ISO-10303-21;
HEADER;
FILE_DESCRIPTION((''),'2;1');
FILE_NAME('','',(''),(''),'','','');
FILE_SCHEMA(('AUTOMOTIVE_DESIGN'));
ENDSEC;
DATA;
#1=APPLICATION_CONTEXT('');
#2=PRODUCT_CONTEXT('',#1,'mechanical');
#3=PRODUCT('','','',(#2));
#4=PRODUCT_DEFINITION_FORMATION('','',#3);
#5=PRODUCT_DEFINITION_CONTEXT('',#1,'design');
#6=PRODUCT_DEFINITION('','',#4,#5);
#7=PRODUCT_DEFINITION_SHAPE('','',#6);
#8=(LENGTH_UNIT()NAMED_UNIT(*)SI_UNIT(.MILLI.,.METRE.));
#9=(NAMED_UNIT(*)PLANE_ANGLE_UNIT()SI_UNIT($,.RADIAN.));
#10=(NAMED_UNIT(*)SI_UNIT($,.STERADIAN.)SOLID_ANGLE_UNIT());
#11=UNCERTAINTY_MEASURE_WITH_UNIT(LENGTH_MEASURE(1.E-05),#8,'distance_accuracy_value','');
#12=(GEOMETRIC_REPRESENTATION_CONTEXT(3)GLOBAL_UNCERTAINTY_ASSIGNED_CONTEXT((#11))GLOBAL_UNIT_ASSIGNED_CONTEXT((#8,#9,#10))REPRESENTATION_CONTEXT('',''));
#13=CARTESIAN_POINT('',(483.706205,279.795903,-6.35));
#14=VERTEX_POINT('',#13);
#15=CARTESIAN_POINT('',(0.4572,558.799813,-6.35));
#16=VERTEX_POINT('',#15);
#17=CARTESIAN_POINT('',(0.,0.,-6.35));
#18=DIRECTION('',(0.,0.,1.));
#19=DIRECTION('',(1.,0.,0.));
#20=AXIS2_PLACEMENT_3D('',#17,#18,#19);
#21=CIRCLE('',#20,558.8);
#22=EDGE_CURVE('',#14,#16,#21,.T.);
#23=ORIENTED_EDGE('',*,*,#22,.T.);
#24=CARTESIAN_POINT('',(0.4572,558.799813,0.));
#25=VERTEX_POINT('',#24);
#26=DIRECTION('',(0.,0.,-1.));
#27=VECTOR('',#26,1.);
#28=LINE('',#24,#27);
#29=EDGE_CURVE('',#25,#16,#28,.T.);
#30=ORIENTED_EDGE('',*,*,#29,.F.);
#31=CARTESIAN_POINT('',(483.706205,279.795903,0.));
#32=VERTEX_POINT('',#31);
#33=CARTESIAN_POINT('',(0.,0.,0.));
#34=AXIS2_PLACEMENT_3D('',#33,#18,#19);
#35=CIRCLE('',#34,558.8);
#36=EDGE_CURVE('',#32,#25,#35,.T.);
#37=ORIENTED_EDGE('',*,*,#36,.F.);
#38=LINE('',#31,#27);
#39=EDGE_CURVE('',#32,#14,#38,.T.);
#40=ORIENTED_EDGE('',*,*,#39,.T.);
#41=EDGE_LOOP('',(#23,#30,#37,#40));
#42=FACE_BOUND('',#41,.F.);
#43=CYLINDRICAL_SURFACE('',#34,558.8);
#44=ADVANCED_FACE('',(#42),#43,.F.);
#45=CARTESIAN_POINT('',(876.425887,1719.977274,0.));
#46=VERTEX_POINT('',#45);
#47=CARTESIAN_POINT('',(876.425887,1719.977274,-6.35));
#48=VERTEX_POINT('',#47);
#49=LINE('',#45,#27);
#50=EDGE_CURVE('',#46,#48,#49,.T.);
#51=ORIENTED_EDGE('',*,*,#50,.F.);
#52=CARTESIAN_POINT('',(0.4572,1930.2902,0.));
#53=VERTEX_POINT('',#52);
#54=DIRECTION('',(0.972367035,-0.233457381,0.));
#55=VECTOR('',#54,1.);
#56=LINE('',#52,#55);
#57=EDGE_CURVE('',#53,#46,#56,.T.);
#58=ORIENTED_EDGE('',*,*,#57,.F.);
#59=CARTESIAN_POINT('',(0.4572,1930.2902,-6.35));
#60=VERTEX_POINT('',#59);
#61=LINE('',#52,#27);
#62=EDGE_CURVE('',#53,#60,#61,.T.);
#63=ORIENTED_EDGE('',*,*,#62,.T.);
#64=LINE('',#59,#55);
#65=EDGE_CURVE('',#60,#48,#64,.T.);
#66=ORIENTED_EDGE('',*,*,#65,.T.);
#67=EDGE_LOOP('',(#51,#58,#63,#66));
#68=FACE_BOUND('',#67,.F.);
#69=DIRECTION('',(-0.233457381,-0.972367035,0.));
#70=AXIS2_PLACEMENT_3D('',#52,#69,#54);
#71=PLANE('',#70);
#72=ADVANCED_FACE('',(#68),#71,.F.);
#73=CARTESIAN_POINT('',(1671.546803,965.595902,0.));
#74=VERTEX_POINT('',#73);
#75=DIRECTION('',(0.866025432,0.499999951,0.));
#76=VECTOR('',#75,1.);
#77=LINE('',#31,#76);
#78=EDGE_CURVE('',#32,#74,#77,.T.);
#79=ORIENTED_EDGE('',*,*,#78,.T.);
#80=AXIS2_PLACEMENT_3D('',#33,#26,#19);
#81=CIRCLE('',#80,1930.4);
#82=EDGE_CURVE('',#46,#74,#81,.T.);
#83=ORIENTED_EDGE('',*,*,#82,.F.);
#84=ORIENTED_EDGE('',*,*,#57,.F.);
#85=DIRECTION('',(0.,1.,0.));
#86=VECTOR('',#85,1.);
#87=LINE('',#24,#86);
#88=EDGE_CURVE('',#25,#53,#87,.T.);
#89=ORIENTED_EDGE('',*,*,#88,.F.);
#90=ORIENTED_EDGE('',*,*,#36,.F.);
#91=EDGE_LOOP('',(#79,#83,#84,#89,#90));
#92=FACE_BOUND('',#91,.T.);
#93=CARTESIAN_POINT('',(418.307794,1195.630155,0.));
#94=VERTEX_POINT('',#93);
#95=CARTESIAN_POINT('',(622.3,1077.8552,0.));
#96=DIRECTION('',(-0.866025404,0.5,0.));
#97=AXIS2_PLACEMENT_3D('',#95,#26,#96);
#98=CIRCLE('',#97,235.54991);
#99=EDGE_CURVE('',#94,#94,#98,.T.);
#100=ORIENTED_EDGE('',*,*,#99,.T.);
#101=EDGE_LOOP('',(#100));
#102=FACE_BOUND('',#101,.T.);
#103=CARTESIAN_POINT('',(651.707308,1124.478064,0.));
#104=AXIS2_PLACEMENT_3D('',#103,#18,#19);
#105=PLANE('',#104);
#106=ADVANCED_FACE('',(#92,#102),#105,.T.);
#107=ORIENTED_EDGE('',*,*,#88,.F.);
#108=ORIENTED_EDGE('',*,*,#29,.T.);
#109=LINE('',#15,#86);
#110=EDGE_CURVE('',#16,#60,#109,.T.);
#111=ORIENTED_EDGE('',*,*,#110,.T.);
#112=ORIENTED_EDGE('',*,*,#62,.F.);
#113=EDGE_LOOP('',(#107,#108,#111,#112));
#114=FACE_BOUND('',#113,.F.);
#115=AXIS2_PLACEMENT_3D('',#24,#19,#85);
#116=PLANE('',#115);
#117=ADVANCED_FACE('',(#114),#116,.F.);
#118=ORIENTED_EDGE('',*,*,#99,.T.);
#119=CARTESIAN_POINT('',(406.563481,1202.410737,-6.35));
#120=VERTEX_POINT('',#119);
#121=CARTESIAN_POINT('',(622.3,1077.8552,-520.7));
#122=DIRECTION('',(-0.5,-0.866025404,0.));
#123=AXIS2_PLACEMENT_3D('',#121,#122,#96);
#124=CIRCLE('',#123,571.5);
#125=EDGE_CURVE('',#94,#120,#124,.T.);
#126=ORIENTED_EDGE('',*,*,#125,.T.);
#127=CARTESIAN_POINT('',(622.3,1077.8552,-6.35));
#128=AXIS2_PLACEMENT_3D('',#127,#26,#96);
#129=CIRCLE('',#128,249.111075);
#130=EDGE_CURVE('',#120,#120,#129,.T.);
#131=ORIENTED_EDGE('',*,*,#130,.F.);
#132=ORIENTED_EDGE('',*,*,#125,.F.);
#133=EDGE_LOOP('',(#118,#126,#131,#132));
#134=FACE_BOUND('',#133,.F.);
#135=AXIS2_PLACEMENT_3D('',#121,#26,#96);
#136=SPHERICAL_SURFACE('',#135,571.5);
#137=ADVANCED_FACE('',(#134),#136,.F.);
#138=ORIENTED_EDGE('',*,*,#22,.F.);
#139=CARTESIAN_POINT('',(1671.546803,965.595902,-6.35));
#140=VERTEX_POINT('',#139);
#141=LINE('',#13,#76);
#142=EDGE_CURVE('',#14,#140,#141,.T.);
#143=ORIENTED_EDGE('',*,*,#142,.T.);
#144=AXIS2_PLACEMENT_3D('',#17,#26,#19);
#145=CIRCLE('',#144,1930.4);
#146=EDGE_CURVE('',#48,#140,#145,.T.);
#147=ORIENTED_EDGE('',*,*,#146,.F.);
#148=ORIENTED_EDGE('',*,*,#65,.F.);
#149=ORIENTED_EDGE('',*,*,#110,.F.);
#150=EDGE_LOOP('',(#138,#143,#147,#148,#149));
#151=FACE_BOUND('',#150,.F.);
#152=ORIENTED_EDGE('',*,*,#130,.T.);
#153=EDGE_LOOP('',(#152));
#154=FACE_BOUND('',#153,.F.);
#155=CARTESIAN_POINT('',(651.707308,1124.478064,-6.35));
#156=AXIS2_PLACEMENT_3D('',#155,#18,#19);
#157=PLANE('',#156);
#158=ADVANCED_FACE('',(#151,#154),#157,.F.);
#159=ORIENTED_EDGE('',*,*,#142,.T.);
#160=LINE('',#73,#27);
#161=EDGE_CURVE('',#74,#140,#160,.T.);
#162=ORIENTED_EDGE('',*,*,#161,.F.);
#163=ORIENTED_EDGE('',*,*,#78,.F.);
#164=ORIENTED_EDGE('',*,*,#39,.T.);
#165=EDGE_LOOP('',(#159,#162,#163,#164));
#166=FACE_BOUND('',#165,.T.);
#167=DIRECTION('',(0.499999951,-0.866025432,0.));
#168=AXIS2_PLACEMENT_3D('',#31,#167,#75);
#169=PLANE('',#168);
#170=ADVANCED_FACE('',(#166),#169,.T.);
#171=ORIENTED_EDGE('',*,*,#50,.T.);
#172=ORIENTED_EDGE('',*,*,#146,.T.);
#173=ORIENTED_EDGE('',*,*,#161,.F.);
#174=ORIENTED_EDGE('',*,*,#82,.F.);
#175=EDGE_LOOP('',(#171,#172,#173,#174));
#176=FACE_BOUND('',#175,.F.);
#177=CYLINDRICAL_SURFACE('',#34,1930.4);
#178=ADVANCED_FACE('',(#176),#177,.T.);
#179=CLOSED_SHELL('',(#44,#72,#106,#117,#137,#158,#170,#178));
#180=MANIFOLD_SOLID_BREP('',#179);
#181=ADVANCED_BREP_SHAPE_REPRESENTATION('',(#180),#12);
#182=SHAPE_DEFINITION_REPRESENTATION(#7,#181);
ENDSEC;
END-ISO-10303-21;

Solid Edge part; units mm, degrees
sketch "Sketch1" plane through (0, 0, 0) normal (0, 0, 1) x (1, 0, 0)
  line L0 (483.7062, 279.7959) -> (1671.5468, 965.5959)
  arc A0 (483.7062, 279.7959) -> (0.4572, 558.7998) centre (0, 0) ccw
  line L1 (0.4572, 558.7998) -> (0.4572, 1930.2902)
  line L2 (0.4572, 1930.2902) -> (876.4259, 1719.9773)
  arc A1 (876.4259, 1719.9773) -> (1671.5468, 965.5959) centre (0, 0) cw
  dimension "D1" = 1117.6
  dimension "D2" = 1930.4
  dimension "D3" = 0.4572
  dimension "D4" = 0.4572
  dimension "D5" = 25.8572
  dimension "D6" = 1143
extrude "Protrusion1" add sketch "Sketch1" against normal blind 6.35
sketch "Sketch2" plane through (622.3, 1077.8552, 0) normal (0.5, 0.866, 0) x (-0.866, 0.5, 0)
  arc A0 (0, 50.8) -> (571.5, -520.7) centre (0, -520.7) cw
  line L0 (571.5, -520.7) -> (0, -520.7)
  line L1 (0, -520.7) -> (0, 50.8)
revolve "RevolvedCutout1" cut sketch "Sketch2" angle 360 about axis through (622.3, 1077.8552, 0) along (0, 0, -1)
